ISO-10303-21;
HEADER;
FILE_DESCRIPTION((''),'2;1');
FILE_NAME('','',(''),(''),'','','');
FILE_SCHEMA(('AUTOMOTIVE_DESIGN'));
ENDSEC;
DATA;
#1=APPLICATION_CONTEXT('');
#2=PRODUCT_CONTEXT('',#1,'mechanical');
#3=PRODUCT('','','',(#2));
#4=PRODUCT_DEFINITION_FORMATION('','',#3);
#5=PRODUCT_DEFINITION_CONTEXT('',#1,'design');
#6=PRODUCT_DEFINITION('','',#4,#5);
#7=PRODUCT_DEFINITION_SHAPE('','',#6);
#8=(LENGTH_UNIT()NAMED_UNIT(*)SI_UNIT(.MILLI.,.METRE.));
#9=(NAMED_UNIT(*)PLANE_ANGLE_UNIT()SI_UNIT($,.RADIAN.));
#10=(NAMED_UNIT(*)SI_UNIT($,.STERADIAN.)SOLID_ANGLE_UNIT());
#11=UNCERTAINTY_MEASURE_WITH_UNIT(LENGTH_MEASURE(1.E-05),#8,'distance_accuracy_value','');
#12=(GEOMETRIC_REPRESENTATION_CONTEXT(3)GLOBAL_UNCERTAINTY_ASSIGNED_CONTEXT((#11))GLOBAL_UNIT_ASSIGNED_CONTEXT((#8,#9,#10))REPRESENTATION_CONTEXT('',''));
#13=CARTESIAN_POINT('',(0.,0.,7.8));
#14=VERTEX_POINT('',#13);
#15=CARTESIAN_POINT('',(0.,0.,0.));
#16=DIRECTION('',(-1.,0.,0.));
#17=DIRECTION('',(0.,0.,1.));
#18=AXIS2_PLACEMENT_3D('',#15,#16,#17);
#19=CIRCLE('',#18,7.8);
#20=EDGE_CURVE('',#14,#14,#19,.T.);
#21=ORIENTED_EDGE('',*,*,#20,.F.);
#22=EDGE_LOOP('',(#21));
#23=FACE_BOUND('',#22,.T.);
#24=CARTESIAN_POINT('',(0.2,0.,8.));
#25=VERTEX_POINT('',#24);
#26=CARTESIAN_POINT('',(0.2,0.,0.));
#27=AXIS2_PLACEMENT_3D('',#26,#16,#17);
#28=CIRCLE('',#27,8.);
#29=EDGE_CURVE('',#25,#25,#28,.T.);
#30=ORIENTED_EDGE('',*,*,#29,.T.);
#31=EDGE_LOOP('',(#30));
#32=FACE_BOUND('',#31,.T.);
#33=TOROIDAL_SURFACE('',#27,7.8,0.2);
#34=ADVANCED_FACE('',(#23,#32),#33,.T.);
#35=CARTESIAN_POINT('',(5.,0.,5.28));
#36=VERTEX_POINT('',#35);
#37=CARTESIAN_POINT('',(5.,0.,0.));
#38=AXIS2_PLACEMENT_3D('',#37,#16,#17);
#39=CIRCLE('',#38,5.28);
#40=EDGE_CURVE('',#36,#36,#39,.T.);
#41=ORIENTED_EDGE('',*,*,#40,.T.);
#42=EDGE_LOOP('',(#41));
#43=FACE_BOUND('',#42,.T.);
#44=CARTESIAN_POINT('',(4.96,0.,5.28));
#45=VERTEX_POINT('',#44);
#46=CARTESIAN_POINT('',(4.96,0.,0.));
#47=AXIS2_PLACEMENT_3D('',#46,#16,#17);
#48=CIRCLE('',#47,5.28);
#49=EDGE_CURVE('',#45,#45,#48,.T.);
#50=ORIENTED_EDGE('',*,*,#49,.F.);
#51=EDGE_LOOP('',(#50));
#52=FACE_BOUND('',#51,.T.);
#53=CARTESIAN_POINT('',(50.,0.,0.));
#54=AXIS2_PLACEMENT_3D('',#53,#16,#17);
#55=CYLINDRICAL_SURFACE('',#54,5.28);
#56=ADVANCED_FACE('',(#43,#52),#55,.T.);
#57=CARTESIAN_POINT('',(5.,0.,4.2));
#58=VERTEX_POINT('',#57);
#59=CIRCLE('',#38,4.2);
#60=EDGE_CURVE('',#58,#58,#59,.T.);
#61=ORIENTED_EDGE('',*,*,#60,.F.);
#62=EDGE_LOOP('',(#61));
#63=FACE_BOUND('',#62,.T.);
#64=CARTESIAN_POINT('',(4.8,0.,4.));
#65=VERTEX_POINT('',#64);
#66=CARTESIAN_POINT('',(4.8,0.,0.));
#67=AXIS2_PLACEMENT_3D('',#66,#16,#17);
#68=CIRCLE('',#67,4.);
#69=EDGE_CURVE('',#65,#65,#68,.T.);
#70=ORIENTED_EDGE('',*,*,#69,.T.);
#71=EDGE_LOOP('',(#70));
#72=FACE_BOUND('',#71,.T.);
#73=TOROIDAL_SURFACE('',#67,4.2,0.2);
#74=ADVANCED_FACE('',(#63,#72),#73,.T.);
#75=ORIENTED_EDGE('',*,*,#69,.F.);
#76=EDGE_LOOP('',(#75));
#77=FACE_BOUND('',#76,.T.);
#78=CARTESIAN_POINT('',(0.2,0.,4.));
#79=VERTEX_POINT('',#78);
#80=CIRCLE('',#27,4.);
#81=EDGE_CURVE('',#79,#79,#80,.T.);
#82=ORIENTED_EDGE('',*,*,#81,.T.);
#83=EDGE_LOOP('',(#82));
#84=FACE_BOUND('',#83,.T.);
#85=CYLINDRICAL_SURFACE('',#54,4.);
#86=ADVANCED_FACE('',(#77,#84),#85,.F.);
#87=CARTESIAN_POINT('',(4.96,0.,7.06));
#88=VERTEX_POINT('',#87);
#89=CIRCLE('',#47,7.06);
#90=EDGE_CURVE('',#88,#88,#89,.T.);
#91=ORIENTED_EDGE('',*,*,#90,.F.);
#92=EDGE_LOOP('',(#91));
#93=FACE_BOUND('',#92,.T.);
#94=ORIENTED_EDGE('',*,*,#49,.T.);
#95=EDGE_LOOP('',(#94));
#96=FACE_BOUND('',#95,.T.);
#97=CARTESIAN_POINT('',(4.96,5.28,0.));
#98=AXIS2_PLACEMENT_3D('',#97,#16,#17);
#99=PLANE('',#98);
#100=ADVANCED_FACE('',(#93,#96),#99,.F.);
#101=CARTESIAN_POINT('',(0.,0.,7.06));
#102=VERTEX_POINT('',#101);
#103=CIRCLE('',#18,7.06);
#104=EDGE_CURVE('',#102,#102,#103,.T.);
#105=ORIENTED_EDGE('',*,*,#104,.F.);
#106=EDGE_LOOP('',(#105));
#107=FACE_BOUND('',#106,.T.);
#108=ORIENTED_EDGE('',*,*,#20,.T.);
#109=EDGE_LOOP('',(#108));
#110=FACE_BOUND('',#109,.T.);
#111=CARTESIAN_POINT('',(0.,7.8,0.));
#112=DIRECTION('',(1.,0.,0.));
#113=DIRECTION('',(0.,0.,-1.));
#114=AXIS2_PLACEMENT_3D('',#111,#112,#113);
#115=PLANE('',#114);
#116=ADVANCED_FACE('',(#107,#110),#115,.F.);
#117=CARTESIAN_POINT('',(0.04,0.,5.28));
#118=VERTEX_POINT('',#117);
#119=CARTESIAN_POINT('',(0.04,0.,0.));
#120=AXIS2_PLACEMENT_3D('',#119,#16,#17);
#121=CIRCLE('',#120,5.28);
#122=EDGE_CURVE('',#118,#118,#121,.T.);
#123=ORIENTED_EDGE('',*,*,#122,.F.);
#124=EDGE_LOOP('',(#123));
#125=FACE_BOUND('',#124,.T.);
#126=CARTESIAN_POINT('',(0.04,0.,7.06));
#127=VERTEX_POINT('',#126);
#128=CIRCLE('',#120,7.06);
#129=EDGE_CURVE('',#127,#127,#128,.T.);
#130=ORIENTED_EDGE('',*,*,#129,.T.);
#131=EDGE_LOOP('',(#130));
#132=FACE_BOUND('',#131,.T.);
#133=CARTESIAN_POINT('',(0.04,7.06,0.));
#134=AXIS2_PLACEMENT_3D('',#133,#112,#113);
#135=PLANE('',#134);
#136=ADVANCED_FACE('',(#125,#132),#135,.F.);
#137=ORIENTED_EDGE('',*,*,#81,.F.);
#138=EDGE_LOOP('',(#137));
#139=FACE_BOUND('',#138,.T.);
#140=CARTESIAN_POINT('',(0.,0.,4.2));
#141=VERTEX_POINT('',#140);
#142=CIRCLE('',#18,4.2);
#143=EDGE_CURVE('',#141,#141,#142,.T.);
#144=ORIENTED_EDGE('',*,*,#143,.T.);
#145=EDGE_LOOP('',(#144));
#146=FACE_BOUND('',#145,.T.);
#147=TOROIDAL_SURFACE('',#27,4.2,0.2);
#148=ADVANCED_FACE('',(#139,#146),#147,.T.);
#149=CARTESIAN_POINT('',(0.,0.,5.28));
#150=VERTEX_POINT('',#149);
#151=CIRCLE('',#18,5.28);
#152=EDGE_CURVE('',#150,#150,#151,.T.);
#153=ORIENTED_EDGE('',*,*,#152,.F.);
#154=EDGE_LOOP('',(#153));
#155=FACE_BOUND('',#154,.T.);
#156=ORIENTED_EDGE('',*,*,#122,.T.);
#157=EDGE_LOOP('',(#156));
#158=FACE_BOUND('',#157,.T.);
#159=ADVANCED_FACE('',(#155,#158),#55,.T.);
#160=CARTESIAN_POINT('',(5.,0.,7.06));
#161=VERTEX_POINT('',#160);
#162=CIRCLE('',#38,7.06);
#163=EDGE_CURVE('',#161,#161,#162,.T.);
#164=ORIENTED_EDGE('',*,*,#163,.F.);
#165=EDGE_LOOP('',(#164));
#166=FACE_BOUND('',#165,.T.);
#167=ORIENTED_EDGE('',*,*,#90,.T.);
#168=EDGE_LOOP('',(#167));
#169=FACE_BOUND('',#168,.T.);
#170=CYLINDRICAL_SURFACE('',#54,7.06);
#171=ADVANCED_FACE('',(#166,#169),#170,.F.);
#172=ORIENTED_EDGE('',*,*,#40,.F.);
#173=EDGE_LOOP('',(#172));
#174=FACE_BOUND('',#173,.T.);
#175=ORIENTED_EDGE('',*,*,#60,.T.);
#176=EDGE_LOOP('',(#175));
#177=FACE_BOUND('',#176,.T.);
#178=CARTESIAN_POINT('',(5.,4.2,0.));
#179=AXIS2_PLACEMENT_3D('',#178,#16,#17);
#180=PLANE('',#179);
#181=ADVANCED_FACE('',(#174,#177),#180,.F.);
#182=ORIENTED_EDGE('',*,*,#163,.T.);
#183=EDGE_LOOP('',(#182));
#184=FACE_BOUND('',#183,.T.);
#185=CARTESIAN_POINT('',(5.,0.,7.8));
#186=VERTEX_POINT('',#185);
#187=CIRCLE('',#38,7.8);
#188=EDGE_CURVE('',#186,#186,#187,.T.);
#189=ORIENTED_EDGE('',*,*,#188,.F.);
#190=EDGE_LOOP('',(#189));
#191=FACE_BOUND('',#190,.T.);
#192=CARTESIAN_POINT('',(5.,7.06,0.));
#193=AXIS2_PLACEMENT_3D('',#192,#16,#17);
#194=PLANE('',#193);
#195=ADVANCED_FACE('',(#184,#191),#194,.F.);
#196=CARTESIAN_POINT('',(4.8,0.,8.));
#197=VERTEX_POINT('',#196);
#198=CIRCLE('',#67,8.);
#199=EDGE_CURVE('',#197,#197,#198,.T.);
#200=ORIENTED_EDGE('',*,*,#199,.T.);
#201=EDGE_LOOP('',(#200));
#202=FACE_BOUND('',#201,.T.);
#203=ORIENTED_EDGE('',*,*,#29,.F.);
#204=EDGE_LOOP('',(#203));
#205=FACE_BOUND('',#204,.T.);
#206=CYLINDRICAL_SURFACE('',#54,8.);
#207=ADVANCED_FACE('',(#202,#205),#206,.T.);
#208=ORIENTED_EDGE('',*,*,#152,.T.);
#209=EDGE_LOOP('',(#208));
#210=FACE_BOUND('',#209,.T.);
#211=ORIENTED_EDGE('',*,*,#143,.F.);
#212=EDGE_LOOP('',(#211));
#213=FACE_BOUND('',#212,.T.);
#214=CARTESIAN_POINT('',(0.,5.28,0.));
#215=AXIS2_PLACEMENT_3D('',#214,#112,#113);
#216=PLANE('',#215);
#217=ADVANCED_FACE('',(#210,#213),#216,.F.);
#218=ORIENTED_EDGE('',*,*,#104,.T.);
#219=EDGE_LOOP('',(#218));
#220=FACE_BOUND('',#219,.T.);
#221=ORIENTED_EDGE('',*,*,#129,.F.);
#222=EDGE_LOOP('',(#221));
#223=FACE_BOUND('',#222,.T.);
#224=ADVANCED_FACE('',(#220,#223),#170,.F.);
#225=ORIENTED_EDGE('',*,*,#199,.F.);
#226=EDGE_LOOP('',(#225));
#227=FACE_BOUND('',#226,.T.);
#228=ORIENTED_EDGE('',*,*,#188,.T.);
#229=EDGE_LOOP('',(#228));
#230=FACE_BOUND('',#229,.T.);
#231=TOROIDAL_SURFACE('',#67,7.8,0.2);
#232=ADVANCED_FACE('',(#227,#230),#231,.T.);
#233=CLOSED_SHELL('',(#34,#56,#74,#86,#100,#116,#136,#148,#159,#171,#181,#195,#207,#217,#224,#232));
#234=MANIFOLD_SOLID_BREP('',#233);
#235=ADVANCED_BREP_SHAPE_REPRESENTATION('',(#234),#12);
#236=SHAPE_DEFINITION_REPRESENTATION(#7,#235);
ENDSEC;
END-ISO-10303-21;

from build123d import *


with BuildPart() as part:
    # Sketch1 → Revolve1 (revolve)
    with BuildSketch(Plane.XY, mode=Mode.PRIVATE) as revolve1_sk:
        with BuildLine():
            Line((0.2, 4), (4.8, 4))
            ThreePointArc((4.8, 4), (4.941421356, 4.058578644), (5, 4.2))
            Line((5, 4.2), (5, 5.28))
            Line((5, 5.28), (4.96, 5.28))
            Line((4.96, 5.28), (4.96, 7.06))
            Line((4.96, 7.06), (5, 7.06))
            Line((5, 7.06), (5, 7.8))
            ThreePointArc((5, 7.8), (4.941421356, 7.941421356), (4.8, 8))
            Line((4.8, 8), (0.2, 8))
            ThreePointArc((0.2, 8), (0.058578644, 7.941421356), (0, 7.8))
            Line((0, 7.8), (0, 7.06))
            Line((0, 7.06), (0.04, 7.06))
            Line((0.04, 7.06), (0.04, 5.28))
            Line((0.04, 5.28), (0, 5.28))
            Line((0, 5.28), (0, 4.2))
            ThreePointArc((0, 4.2), (0.058578644, 4.058578644), (0.2, 4))
        make_face()
    revolve(revolve1_sk.sketch.rotate(Axis((50, 0, 0), (-1, 0, 0)), 270), axis=Axis((50, 0, 0), (-1, 0, 0)))


solid = part.part
